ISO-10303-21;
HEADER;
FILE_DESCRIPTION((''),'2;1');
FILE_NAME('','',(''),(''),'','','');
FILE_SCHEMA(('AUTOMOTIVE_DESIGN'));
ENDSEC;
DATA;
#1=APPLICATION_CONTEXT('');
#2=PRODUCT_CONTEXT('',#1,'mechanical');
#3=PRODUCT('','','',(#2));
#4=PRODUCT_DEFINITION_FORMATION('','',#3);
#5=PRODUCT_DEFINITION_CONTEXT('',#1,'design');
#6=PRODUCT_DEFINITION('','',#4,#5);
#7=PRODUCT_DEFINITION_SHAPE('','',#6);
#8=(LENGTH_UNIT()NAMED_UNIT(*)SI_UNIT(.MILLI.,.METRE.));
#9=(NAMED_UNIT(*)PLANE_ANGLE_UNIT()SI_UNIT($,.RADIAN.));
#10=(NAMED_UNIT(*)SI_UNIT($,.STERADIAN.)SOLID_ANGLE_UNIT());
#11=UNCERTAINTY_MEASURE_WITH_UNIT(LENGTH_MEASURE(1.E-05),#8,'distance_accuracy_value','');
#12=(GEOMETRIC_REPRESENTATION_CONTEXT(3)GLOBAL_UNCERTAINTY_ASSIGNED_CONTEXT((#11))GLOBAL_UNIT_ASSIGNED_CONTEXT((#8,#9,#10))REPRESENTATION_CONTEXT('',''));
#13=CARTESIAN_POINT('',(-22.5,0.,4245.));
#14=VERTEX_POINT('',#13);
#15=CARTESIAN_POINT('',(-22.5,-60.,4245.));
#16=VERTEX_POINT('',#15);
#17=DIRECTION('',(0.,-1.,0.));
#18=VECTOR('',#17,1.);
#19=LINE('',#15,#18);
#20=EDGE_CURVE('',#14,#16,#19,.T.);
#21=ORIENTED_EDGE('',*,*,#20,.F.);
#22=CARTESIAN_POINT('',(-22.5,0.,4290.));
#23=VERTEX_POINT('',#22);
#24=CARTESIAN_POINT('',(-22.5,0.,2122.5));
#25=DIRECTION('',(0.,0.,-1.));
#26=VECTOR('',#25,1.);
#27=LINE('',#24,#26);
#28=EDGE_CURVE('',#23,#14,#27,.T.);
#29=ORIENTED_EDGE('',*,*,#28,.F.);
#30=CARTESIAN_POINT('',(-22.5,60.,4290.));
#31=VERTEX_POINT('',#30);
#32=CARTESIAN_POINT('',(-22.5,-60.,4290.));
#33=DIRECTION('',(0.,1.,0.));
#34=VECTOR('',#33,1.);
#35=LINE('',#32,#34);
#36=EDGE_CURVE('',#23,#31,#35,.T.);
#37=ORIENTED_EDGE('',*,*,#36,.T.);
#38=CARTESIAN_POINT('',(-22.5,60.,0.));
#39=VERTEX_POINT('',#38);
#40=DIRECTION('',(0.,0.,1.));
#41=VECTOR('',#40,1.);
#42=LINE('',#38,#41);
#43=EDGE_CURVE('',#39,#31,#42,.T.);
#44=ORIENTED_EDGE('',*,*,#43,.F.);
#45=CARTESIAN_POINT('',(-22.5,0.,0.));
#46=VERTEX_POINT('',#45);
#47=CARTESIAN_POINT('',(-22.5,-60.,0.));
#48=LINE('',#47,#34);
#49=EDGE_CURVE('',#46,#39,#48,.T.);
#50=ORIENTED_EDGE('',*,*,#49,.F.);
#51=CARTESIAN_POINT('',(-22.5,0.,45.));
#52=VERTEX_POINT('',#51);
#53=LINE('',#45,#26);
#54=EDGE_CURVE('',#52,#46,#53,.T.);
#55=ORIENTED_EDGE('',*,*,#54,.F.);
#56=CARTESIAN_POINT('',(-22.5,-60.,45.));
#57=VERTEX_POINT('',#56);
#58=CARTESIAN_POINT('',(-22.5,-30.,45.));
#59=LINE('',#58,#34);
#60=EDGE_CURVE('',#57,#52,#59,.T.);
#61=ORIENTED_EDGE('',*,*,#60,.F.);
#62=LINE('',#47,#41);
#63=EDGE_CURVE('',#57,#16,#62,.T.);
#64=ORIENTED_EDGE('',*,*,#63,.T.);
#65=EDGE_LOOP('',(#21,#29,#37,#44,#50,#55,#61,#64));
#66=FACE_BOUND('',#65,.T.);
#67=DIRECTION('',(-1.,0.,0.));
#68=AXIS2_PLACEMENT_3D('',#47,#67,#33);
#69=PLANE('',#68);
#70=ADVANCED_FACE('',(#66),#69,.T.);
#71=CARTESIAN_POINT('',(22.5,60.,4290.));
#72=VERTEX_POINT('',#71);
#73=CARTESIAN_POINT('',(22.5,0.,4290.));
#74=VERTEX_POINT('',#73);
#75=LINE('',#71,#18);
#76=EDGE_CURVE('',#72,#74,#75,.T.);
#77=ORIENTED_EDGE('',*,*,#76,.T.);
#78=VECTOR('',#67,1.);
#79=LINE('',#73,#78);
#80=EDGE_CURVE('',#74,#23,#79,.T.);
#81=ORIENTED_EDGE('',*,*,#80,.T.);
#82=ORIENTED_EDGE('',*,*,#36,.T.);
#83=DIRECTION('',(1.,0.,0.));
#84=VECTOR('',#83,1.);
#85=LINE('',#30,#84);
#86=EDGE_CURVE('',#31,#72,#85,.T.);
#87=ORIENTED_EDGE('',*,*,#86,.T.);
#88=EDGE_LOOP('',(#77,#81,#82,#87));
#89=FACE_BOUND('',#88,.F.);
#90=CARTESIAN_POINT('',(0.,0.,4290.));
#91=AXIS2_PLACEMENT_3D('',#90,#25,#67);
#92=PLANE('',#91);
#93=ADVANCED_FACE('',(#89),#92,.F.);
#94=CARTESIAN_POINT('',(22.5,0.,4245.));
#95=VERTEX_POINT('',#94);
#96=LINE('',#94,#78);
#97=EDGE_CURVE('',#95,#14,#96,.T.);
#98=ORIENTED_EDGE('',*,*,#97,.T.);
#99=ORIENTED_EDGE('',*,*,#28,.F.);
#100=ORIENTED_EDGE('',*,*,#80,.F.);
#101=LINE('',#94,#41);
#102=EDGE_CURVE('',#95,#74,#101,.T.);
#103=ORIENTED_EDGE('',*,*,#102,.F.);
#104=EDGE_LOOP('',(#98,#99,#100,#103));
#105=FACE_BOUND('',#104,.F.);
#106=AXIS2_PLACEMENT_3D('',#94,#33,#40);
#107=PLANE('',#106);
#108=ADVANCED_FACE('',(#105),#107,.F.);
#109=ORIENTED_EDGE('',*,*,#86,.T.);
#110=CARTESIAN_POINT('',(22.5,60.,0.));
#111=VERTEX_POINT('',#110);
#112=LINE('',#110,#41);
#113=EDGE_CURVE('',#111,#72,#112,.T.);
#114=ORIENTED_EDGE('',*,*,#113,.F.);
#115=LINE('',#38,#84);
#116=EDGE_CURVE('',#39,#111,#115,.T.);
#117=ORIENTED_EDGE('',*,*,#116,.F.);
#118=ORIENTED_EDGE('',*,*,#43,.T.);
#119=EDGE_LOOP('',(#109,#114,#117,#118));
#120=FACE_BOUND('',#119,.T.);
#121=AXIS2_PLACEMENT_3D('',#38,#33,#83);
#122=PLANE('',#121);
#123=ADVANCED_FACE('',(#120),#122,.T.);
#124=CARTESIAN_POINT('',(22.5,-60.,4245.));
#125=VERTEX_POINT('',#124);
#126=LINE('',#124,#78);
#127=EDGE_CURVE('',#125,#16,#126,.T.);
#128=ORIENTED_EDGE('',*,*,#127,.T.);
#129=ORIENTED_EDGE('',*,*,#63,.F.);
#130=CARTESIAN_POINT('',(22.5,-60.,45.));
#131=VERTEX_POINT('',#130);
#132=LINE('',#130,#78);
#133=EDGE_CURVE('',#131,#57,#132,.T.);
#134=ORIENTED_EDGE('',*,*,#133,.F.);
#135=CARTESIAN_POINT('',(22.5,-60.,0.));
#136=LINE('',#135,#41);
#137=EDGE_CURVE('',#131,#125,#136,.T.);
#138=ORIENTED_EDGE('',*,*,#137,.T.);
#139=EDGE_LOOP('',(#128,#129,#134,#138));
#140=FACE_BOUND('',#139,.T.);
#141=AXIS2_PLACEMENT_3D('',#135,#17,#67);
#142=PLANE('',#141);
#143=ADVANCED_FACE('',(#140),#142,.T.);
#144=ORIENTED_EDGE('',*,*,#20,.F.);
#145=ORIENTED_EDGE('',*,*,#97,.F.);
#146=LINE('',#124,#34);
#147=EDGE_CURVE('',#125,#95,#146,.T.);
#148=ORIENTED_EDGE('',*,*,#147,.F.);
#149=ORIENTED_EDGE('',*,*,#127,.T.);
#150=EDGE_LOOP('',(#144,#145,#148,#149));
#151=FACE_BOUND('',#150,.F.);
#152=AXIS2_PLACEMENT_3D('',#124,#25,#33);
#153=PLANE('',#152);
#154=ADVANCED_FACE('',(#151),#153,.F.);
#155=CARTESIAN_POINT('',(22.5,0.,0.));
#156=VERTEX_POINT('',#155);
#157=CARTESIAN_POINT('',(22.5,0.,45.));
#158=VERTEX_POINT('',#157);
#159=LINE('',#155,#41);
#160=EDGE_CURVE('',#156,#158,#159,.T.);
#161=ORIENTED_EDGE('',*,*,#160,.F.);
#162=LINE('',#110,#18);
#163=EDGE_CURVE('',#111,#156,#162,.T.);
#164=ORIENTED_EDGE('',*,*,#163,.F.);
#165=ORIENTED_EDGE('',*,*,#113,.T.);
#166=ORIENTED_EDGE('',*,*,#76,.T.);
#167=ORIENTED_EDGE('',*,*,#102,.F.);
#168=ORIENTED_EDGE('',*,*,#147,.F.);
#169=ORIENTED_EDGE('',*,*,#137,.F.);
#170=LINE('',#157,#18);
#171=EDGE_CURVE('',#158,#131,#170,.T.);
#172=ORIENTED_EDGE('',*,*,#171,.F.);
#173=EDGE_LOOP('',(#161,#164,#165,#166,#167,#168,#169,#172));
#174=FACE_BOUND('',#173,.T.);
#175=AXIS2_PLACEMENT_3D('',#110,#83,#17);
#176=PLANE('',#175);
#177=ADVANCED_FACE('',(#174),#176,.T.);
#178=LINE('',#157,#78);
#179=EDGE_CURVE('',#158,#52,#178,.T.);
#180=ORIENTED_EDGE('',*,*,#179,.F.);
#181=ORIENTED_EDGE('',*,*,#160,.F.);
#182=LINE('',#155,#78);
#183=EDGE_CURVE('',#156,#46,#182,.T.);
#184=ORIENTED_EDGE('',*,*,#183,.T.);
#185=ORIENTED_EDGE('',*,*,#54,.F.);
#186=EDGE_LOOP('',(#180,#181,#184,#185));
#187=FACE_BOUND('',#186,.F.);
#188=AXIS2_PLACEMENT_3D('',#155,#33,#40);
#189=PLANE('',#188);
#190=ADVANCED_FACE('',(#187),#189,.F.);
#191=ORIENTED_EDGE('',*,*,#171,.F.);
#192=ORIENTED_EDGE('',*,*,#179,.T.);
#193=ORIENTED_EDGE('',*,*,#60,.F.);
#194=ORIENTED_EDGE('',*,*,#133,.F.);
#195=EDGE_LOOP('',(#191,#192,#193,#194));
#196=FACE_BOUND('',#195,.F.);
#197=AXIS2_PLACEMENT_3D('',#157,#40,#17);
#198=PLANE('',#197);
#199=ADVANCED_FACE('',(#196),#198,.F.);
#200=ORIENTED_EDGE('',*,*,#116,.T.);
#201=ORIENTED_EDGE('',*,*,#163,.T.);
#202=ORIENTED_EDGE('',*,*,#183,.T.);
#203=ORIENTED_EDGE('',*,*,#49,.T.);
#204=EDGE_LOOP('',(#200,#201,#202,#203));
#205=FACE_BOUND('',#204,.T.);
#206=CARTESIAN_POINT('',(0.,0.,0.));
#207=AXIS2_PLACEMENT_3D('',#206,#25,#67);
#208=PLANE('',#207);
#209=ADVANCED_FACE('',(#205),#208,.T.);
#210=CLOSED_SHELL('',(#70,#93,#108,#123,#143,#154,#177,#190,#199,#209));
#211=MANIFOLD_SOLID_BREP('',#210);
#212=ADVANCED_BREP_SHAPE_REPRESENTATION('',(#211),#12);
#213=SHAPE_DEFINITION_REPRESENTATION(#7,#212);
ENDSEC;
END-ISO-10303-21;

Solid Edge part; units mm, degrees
sketch "Sketch1" plane through (0, 0, 0) normal (0, 0, -1) x (-1, 0, 0)
  line L0 (-22.5, -60) -> (22.5, -60)
  line L1 (22.5, -60) -> (22.5, 60)
  line L2 (22.5, 60) -> (-22.5, 60)
  line L3 (-22.5, 60) -> (-22.5, -60)
extrude "Protrusion1" add sketch "Sketch1" against normal blind 4290
sketch "Sketch2" plane through (22.5, 0, 2145) normal (1, 0, 0) x (0, 0, 1)
  line L0 (2145, 60) -> (2100, 60)
  line L1 (2100, 60) -> (2100, 0)
  line L2 (2100, 0) -> (2145, 0)
  line L3 (2145, 0) -> (2145, 60)
extrude "ExtrudedCutout_1" cut sketch "Sketch2" against normal blind 786.4437
sketch "Sketch3" plane through (22.5, 0, 2145) normal (1, 0, 0) x (0, 0, 1)
  line L0 (-2145, 0) -> (-2100, 0)
  line L1 (-2100, 0) -> (-2100, 60)
  line L2 (-2100, 60) -> (-2145, 60)
  line L3 (-2145, 60) -> (-2145, 0)
extrude "ExtrudedCutout_3" cut sketch "Sketch3" against normal blind 255.3017
properties material "Wood, Pine"
